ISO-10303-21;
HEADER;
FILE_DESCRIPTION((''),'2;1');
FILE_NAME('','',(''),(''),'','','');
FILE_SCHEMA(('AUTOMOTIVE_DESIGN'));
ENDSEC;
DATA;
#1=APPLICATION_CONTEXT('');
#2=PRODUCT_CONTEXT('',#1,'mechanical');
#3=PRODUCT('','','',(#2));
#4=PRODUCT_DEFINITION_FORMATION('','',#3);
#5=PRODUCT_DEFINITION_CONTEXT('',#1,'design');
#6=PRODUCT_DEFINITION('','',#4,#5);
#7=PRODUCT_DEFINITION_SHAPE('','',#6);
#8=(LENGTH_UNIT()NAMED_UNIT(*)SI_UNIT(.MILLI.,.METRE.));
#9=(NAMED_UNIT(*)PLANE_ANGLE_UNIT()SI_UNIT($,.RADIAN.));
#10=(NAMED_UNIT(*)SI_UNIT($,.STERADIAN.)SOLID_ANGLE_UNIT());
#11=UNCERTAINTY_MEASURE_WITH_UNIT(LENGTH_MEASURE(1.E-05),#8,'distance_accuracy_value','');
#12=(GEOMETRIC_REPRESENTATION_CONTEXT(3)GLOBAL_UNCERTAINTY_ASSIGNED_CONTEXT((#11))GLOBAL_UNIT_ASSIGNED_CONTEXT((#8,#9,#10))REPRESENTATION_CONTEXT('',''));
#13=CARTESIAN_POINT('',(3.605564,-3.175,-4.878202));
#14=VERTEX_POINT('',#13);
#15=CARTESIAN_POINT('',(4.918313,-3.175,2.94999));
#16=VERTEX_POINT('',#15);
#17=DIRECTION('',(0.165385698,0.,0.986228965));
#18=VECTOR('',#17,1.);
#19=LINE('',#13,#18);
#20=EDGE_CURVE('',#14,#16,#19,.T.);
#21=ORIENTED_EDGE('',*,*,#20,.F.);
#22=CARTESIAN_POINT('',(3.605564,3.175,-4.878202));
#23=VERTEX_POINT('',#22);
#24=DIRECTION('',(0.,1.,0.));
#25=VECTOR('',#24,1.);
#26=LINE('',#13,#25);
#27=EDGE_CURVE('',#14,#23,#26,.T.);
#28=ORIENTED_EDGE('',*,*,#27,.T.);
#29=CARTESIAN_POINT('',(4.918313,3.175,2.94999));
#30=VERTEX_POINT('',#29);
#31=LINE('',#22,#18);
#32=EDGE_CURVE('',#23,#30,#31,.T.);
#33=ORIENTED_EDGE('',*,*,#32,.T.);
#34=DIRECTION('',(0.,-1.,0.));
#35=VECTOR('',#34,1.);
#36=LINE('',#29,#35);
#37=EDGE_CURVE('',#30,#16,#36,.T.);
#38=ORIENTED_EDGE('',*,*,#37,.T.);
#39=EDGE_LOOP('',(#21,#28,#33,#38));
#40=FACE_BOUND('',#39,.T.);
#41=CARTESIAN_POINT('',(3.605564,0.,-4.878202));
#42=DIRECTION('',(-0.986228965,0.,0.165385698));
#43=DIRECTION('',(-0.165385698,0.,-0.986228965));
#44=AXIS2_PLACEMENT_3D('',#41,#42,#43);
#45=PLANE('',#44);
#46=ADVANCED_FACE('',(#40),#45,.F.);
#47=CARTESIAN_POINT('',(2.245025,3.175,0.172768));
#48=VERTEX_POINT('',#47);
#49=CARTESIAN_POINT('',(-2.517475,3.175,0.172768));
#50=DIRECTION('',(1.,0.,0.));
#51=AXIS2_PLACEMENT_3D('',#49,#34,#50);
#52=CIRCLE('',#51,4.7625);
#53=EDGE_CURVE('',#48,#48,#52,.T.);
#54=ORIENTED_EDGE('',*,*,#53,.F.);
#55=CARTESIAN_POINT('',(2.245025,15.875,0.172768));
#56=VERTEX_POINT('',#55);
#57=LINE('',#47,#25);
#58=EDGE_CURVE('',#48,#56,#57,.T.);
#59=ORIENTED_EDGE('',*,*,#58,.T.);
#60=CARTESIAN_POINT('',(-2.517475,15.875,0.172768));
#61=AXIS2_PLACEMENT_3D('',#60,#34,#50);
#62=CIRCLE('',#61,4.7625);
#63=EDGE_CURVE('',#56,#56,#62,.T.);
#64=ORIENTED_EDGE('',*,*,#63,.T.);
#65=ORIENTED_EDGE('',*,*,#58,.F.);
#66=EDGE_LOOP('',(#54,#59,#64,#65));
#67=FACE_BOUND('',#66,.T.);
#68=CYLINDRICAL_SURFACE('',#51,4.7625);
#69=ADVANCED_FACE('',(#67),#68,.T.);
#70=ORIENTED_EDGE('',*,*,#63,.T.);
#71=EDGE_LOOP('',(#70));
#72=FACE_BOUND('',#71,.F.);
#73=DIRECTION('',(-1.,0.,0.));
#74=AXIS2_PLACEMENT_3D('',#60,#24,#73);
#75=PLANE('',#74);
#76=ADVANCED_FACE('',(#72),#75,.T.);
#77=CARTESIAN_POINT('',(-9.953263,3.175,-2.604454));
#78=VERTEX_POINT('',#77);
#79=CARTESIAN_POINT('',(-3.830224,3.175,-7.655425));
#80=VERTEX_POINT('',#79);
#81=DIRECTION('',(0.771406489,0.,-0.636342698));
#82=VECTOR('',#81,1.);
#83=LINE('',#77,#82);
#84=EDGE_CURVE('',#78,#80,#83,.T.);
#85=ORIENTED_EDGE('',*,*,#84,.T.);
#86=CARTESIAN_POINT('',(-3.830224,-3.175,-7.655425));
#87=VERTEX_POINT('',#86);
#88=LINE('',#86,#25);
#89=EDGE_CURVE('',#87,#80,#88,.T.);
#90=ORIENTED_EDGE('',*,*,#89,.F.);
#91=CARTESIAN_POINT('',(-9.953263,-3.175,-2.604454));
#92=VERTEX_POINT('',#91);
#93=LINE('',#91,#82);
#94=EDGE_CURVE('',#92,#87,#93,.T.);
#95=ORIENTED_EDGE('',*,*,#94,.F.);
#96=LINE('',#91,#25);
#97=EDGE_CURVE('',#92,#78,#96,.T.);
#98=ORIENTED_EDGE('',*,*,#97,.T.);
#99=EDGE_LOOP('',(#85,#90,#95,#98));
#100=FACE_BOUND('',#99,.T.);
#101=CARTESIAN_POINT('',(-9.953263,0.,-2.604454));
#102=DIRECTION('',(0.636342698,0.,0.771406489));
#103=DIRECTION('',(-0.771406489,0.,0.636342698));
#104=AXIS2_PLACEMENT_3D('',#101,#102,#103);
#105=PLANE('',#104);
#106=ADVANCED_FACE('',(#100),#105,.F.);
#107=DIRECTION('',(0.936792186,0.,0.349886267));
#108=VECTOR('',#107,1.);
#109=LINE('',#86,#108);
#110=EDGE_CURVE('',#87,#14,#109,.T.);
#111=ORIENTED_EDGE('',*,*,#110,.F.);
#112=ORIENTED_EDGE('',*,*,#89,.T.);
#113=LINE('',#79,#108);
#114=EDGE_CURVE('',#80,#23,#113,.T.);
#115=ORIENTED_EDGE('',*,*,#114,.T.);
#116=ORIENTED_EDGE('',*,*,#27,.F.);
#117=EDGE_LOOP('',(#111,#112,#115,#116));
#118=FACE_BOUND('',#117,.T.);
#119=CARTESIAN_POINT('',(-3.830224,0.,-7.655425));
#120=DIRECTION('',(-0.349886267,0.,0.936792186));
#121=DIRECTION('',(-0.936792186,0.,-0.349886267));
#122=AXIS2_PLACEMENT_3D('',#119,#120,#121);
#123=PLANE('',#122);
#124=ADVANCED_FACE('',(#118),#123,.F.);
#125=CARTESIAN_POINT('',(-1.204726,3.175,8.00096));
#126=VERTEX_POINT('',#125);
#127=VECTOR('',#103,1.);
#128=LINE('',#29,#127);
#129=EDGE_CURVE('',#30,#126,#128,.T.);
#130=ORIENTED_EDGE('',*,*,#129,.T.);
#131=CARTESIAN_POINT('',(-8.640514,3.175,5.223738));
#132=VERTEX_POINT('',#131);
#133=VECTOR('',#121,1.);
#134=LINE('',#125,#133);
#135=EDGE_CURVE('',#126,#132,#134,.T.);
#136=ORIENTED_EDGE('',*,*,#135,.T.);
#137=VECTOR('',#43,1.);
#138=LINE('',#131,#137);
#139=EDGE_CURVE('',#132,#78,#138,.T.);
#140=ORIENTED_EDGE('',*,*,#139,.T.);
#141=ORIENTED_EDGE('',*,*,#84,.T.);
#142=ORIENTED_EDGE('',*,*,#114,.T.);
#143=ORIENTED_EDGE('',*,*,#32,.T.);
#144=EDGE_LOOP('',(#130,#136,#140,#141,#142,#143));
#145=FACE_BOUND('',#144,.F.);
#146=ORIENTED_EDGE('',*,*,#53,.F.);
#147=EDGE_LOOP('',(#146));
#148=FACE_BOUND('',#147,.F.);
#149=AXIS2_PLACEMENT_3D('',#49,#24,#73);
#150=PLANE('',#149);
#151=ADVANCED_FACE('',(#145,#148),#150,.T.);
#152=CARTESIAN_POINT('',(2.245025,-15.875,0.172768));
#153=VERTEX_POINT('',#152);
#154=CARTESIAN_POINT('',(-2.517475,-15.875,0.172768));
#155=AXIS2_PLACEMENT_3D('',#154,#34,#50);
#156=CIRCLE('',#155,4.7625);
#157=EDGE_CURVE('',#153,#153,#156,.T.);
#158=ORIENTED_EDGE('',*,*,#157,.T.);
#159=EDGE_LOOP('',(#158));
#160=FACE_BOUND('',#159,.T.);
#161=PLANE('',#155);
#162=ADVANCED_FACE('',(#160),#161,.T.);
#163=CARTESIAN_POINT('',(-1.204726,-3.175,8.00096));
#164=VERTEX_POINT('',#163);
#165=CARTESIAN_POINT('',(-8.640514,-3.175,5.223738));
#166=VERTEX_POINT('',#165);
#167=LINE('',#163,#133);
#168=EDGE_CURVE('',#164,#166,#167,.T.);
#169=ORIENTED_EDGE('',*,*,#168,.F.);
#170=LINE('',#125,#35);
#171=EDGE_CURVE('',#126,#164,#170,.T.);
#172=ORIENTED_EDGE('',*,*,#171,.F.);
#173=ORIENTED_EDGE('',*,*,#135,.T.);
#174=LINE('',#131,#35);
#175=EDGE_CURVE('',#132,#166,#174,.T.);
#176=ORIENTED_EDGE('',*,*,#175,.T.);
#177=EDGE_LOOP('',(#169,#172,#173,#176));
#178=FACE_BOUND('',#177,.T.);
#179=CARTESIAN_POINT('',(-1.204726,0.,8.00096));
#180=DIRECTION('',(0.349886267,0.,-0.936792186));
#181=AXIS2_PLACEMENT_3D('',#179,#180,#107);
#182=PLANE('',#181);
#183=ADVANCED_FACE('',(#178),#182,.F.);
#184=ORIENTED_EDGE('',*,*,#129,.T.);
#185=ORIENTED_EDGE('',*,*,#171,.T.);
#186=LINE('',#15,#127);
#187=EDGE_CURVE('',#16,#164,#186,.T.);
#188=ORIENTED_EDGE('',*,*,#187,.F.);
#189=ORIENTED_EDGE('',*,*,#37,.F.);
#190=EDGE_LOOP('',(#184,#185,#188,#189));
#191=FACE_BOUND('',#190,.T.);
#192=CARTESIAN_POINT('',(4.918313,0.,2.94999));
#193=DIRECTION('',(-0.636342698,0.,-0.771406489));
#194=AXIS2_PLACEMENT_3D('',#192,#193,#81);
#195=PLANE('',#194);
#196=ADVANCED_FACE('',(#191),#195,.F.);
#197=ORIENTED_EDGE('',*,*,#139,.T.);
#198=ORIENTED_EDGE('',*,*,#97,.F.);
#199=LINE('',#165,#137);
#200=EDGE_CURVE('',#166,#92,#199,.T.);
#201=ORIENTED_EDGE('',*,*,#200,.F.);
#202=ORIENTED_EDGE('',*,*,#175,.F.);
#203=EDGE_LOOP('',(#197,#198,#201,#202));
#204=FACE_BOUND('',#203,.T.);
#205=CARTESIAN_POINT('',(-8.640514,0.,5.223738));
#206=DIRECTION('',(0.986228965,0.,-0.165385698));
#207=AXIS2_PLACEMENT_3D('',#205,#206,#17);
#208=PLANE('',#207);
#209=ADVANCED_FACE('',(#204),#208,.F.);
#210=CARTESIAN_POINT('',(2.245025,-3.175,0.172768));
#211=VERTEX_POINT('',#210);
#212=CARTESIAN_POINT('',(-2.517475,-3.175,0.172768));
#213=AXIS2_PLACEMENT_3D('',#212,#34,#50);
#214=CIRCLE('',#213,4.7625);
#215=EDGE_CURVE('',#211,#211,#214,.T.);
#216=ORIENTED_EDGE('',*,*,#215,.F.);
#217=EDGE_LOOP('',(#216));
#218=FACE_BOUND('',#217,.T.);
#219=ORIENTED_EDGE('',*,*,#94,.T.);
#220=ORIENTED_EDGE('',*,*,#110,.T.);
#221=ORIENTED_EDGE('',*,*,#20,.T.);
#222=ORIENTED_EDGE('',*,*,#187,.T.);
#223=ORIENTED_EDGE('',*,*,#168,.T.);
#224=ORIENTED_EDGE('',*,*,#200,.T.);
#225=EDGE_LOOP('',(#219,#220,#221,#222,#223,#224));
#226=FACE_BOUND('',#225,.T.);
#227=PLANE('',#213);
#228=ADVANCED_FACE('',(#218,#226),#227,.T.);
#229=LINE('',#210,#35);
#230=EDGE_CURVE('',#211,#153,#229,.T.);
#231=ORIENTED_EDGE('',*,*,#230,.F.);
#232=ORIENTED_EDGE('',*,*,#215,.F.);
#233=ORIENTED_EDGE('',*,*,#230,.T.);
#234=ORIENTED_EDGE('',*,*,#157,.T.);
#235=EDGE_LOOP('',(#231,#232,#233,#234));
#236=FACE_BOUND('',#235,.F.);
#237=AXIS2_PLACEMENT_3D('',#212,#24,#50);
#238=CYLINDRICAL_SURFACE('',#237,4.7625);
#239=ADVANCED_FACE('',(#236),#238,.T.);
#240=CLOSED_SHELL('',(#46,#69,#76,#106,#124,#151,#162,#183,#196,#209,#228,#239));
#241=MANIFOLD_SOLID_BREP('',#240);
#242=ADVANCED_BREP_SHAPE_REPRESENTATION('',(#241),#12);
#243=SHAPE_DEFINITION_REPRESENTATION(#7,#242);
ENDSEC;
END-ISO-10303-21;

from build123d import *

# Parameters (mm, degrees)
F1_DEPTH = 6.35
F2_R     = 9.525
F3_DEPTH = 25.4
F5_SCALE = 0.5


with BuildPart() as f1:
    # F0 (on Front) → F1 (new body)
    with BuildSketch(Plane.XZ):
        Polygon((7.211127909, -9.756404553), (9.8366258623, 5.8999802627), (-2.4094521428, 16.0019205958), (-17.2810281013, 10.4474761131), (-19.9065260547, -5.2089087026), (-7.6604480495, -15.3108490356), align=None)
    extrude(amount=F1_DEPTH)

    # F2 (on face) → F3 (join)
    with BuildSketch(Plane.XZ.offset(6.35)):
        with Locations((-5.0349500962, 0.3455357801)):
            Circle(F2_R)
    extrude(amount=F3_DEPTH)

    # F4: F1 across face


with BuildPart() as f1_1:
    add(f1.part)
    add(f1.part.mirror(Plane(origin=(-5.0349500962, 0, 0.3455357801), x_dir=(1, 0, 0), z_dir=(0, 1, 0))))


with BuildPart() as f1_2:
    # F5: moved
    add(f1_1.part.scale(F5_SCALE))


solid = f1_2.part
